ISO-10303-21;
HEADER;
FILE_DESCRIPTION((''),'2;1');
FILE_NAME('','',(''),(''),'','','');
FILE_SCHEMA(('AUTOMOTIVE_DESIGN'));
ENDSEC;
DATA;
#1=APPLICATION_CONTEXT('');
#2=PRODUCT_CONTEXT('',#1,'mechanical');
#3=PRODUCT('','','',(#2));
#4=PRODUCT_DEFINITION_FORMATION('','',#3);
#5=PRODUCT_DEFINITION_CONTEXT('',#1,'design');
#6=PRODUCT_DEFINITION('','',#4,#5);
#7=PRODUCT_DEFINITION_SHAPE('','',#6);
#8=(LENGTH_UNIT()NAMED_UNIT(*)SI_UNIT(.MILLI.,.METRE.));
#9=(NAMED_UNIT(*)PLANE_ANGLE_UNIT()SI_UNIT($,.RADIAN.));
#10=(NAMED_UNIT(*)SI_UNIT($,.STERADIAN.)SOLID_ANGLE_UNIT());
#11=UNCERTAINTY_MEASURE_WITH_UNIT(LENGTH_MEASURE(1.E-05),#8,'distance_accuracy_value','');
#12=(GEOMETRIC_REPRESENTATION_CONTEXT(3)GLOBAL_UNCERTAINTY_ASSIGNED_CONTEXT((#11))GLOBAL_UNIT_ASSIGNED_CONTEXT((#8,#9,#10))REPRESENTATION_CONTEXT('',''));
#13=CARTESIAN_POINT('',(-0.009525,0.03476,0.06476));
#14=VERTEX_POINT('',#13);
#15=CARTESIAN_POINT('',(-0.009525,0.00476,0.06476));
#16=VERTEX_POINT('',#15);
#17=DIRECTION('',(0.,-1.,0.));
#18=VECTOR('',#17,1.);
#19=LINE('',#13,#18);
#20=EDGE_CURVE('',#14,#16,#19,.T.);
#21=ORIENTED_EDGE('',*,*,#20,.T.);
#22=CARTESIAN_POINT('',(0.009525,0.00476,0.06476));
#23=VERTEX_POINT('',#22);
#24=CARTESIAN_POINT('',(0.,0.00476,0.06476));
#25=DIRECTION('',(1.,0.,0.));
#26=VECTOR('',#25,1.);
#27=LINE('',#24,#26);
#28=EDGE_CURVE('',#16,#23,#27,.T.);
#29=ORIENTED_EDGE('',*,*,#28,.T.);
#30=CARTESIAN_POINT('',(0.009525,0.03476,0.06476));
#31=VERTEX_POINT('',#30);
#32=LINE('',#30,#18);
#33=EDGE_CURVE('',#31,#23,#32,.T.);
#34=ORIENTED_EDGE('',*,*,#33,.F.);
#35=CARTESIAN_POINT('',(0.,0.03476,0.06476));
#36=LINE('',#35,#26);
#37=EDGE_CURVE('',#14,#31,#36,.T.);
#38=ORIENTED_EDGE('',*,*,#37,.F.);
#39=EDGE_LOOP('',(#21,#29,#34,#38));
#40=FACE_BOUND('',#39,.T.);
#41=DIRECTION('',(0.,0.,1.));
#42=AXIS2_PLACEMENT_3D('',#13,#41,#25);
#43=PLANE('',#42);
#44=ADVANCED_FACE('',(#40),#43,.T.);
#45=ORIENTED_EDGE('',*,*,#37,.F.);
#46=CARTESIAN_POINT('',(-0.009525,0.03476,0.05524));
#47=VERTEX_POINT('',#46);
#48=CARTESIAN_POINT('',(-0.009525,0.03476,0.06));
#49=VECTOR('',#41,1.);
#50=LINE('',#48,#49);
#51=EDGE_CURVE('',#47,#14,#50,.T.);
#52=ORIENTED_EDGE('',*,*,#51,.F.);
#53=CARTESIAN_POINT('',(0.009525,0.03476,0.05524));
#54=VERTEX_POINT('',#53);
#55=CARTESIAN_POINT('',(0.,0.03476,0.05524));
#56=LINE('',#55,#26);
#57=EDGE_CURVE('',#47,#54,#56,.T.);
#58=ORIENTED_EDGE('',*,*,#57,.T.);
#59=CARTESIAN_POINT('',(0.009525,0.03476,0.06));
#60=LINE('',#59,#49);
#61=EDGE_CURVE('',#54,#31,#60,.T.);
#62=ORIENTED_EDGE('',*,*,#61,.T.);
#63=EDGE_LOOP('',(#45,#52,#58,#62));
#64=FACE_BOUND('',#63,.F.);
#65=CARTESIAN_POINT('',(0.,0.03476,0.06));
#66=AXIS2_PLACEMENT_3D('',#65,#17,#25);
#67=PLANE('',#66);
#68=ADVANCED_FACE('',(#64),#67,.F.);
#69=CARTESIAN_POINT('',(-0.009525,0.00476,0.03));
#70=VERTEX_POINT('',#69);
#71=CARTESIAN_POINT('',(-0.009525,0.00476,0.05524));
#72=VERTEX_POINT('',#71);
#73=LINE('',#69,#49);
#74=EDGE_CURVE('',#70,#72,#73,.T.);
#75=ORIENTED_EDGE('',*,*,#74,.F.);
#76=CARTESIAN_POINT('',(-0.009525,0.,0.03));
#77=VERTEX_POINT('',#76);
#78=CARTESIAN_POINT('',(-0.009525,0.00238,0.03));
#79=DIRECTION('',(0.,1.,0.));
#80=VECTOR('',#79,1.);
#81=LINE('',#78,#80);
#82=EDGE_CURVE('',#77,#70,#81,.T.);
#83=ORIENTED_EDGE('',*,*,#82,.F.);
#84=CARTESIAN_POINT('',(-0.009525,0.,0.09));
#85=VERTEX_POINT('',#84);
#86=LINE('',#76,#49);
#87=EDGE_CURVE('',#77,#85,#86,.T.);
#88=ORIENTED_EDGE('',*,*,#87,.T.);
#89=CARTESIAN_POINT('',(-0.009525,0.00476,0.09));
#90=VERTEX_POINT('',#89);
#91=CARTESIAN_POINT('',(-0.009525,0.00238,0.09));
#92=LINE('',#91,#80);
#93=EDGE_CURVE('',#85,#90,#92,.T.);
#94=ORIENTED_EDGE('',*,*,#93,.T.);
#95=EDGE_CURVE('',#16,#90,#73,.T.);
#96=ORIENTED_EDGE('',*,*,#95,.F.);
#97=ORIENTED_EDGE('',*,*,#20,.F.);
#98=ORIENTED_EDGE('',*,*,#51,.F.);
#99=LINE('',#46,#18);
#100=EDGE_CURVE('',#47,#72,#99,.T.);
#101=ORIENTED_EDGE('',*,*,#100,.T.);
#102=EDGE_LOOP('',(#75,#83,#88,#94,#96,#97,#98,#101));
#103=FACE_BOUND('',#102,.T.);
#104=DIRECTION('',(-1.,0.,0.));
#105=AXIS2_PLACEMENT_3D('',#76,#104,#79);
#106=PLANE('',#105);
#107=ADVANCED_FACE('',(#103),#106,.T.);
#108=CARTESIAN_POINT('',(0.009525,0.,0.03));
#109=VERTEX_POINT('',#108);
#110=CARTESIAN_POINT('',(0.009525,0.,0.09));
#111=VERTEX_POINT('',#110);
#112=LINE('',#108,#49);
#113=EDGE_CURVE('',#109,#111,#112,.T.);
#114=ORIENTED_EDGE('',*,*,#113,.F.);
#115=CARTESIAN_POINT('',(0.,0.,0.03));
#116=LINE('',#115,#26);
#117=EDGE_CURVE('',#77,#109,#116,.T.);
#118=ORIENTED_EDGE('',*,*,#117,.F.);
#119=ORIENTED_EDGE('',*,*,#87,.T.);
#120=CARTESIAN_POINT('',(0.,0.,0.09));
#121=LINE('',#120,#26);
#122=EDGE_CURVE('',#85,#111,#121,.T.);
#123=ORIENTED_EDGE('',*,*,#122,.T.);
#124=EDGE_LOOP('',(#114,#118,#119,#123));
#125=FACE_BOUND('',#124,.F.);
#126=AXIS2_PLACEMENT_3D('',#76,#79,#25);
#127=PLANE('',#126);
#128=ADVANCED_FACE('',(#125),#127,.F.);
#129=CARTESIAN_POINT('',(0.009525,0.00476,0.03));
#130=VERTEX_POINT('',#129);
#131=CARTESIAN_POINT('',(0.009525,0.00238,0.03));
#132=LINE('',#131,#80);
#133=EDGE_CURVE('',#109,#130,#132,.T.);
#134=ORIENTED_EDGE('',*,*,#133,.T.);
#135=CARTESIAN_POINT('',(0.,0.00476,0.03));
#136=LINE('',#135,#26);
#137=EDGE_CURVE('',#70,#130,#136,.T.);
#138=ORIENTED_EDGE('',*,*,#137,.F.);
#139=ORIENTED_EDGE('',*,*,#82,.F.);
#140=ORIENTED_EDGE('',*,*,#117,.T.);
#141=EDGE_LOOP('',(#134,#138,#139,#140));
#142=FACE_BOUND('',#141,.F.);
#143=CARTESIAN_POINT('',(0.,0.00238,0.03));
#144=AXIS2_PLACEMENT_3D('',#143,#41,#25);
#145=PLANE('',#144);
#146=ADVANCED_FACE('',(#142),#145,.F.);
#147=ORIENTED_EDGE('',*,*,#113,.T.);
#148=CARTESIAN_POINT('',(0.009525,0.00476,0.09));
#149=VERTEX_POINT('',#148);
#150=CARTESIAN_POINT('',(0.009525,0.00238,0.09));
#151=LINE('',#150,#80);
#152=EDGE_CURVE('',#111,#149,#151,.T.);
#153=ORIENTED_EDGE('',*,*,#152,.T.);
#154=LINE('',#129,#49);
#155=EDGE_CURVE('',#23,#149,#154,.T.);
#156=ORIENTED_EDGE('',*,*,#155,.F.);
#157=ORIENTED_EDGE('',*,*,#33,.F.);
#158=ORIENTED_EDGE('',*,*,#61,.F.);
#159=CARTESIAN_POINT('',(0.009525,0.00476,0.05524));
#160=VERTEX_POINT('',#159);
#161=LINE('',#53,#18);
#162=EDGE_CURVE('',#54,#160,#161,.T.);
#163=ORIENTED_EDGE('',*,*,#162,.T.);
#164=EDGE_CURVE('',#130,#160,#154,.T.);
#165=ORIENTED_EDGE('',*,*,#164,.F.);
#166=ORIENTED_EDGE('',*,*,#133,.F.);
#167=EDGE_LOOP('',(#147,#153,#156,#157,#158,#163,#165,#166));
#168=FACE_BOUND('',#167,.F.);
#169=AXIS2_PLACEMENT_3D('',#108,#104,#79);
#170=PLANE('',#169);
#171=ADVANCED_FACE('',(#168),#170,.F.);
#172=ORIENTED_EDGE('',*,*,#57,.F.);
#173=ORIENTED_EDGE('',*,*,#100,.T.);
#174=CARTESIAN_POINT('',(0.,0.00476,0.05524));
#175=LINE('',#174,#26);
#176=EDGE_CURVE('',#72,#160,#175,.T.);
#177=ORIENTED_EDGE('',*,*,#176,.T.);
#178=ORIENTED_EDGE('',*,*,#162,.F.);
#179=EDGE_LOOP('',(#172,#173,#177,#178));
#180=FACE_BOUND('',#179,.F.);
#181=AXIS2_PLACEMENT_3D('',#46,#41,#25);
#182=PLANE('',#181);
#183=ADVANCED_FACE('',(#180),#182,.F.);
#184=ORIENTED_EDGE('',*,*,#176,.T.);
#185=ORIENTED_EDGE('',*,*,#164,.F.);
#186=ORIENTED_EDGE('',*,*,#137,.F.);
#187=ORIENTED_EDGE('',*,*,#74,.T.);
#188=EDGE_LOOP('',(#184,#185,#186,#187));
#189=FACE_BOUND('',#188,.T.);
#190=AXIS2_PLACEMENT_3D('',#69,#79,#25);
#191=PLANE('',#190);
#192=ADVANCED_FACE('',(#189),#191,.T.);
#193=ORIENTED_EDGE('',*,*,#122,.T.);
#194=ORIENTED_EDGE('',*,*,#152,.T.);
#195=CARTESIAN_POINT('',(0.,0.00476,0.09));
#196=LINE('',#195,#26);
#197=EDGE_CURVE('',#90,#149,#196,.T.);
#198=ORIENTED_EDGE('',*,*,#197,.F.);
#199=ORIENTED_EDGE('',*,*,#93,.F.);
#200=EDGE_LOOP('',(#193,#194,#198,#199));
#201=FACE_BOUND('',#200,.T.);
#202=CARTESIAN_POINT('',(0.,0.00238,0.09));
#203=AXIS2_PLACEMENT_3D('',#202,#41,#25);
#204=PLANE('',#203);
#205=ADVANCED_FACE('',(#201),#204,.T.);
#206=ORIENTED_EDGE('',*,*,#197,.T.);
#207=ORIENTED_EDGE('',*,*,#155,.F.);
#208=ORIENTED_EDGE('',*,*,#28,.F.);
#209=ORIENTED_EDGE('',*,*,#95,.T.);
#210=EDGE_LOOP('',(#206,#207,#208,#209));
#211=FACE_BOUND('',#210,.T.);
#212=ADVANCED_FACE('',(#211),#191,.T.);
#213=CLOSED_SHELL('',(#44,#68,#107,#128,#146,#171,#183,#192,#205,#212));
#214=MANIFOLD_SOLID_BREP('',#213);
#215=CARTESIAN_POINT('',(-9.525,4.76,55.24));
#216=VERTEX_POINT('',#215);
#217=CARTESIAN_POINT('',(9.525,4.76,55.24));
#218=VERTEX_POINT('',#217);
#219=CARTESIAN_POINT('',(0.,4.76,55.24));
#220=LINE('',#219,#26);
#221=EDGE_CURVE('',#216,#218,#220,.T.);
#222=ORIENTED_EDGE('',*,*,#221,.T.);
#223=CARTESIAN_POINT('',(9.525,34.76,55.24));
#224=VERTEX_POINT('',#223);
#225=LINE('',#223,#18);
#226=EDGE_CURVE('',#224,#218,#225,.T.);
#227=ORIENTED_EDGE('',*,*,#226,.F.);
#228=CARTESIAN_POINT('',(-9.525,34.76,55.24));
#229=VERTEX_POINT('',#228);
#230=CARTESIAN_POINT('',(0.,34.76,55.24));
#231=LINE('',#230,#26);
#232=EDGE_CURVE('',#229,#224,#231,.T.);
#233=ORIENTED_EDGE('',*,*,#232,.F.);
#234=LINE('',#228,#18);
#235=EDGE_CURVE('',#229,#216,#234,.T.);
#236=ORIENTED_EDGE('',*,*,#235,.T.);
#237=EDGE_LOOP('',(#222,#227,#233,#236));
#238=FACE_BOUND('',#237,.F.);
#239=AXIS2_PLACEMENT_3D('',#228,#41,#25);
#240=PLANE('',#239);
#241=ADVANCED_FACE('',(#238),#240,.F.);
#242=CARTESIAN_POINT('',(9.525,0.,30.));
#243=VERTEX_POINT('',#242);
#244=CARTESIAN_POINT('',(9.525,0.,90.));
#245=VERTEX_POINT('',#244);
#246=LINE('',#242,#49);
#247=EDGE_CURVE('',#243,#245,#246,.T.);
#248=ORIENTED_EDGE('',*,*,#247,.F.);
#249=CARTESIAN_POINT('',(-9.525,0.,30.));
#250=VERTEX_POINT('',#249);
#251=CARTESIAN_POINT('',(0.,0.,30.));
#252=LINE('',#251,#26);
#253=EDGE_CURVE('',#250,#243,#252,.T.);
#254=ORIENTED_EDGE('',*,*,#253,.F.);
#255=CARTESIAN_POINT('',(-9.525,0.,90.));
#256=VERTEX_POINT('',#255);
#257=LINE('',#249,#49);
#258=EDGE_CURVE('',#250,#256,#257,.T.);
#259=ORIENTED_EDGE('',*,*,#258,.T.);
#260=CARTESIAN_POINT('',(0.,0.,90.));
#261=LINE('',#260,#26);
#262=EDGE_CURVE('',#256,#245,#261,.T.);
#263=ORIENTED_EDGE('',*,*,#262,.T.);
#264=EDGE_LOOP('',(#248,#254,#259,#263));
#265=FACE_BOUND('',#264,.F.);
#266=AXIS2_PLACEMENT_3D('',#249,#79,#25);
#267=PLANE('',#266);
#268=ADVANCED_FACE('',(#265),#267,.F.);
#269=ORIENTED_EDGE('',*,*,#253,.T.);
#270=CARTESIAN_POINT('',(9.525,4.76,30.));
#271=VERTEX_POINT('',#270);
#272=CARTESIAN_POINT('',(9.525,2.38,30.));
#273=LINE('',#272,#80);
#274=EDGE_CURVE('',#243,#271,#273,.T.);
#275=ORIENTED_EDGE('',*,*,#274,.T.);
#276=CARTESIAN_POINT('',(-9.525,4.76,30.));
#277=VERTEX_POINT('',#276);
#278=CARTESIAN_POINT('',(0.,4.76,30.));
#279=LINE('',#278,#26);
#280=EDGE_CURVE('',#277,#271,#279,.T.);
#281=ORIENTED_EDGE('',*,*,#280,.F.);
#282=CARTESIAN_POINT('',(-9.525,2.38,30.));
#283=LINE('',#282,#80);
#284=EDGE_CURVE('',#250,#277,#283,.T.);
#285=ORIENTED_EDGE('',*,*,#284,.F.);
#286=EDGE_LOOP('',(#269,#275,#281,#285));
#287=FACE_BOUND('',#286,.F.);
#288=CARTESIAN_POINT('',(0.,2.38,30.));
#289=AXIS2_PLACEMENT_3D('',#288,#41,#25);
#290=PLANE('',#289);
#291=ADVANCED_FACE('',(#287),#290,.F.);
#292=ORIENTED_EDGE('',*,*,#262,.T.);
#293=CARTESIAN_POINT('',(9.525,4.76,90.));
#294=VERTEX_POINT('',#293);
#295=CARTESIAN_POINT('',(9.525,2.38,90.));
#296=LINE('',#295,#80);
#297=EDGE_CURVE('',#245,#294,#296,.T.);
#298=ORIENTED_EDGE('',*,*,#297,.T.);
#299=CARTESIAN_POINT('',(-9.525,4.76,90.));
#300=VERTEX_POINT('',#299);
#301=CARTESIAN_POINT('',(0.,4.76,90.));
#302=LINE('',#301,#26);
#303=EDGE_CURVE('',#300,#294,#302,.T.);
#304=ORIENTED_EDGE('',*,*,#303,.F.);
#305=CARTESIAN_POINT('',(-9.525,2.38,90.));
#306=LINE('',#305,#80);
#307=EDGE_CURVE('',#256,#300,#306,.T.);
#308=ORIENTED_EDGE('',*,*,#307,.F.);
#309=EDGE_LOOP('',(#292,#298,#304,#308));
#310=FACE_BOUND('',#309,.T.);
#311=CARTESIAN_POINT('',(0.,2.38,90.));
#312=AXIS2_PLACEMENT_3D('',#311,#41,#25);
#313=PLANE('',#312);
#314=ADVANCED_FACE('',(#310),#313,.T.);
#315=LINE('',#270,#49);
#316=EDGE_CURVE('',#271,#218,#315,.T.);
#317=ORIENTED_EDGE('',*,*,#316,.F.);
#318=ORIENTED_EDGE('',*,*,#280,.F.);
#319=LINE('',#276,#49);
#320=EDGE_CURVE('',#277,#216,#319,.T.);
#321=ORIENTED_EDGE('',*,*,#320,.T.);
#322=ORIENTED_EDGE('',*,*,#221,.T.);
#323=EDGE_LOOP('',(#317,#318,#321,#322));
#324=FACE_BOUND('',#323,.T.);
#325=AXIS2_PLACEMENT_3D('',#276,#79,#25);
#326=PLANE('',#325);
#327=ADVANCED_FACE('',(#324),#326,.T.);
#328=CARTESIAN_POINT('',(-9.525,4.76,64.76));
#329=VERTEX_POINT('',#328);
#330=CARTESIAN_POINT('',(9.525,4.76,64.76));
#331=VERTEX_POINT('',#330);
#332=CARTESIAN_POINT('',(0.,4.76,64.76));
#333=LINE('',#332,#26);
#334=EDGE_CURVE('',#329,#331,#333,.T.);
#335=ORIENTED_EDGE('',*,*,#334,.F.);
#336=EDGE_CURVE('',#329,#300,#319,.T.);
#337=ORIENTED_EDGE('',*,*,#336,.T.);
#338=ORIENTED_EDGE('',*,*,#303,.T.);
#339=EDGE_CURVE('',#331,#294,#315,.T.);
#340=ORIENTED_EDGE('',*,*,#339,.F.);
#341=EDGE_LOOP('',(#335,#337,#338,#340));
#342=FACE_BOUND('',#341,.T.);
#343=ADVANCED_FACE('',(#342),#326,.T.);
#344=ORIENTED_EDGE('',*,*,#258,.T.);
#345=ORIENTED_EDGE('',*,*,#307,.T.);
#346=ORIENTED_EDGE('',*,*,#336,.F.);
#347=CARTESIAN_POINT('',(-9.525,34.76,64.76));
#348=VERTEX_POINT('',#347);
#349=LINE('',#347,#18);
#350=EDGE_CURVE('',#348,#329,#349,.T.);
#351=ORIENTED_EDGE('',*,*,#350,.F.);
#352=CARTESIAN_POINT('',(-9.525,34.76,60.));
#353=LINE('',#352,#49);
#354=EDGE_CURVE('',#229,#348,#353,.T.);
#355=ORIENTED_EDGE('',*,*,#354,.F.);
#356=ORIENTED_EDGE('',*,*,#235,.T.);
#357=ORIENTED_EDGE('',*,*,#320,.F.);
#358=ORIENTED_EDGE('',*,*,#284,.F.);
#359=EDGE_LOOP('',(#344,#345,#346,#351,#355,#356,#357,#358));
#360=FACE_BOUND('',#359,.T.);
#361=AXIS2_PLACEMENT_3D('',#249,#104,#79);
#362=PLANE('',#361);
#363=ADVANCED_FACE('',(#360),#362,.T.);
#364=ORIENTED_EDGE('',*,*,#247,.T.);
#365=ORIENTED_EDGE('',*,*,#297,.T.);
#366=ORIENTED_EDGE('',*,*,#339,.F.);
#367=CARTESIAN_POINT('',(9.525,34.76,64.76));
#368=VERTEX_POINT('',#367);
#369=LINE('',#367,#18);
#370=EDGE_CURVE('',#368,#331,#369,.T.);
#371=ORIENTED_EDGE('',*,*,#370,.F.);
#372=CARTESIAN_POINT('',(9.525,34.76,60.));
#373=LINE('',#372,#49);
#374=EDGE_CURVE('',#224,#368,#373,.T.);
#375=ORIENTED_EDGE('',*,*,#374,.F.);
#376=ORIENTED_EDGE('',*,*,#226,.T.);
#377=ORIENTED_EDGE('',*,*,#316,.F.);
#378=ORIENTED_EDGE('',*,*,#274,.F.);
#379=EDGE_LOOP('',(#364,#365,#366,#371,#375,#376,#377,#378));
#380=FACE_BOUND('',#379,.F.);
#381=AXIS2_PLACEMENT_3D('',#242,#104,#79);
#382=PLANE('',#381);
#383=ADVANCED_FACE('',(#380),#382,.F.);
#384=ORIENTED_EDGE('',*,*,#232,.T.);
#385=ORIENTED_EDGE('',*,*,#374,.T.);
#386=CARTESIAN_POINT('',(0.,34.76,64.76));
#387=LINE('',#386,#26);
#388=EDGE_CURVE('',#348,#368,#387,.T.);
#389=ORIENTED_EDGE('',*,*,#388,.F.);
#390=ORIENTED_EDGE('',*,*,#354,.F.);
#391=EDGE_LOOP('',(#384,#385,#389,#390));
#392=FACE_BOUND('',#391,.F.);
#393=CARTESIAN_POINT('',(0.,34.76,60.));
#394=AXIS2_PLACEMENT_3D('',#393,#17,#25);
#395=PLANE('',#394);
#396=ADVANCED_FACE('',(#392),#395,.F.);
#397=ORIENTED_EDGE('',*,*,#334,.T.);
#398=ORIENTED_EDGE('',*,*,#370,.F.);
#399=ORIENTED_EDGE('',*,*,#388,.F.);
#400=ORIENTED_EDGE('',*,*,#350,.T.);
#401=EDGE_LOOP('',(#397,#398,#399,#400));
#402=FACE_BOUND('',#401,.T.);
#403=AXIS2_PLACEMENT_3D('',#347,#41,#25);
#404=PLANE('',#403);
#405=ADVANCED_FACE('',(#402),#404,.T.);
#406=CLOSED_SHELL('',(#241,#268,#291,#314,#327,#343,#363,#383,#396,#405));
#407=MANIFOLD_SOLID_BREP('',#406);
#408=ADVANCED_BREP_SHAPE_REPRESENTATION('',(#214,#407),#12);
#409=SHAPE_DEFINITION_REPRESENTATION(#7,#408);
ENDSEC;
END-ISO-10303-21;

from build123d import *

# Parameters (mm, degrees)
RECTANGLE001_W          = 19.05
RECTANGLE001_H          = 4.76
EXTRUDE001_DEPTH        = 60
RECTANGLE_W             = 19.05
RECTANGLE_H             = 9.52
EXTRUDE_DEPTH           = 30
EXTRUDE_PLACEMENT_ANGLE = 90
CLONE_SCALE_SCALE       = 0.001


with BuildPart() as extrude001:
    # Rectangle001 → Extrude001 (new body)
    with BuildSketch(Plane(origin=(-9.525, 0, 0), x_dir=(1, 0, 0), z_dir=(0, 0, 1))):
        with Locations((9.525, 2.38)):
            Rectangle(RECTANGLE001_W, RECTANGLE001_H)
    extrude(amount=EXTRUDE001_DEPTH)


with BuildPart() as extrude001_1:
    # Extrude001 placement: moved
    add(extrude001.part.moved(Location((0, 0, 30))))


with BuildPart() as fusion:
    # Rectangle → Extrude (new body)
    with BuildSketch(Plane(origin=(-9.525, 0, 0), x_dir=(1, 0, 0), z_dir=(0, 0, 1))):
        with Locations((9.525, 4.76)):
            Rectangle(RECTANGLE_W, RECTANGLE_H)
    extrude(amount=EXTRUDE_DEPTH)


with BuildPart() as fusion_1:
    # Extrude placement: moved
    add(fusion.part.moved(Location((0, 34.76, 55.24))).rotate(Axis((0, 34.76, 55.24), (1, 0, 0)), EXTRUDE_PLACEMENT_ANGLE))

    # Fusion: union Extrude001
    add(extrude001_1.part)


with BuildPart() as scaled:
    # Clone base: copy of Fusion
    add(fusion_1.part)


with BuildPart() as scaled_1:
    # Clone scale: moved
    add(scaled.part.scale(CLONE_SCALE_SCALE))


solid = Compound([fusion_1.part, scaled_1.part])
